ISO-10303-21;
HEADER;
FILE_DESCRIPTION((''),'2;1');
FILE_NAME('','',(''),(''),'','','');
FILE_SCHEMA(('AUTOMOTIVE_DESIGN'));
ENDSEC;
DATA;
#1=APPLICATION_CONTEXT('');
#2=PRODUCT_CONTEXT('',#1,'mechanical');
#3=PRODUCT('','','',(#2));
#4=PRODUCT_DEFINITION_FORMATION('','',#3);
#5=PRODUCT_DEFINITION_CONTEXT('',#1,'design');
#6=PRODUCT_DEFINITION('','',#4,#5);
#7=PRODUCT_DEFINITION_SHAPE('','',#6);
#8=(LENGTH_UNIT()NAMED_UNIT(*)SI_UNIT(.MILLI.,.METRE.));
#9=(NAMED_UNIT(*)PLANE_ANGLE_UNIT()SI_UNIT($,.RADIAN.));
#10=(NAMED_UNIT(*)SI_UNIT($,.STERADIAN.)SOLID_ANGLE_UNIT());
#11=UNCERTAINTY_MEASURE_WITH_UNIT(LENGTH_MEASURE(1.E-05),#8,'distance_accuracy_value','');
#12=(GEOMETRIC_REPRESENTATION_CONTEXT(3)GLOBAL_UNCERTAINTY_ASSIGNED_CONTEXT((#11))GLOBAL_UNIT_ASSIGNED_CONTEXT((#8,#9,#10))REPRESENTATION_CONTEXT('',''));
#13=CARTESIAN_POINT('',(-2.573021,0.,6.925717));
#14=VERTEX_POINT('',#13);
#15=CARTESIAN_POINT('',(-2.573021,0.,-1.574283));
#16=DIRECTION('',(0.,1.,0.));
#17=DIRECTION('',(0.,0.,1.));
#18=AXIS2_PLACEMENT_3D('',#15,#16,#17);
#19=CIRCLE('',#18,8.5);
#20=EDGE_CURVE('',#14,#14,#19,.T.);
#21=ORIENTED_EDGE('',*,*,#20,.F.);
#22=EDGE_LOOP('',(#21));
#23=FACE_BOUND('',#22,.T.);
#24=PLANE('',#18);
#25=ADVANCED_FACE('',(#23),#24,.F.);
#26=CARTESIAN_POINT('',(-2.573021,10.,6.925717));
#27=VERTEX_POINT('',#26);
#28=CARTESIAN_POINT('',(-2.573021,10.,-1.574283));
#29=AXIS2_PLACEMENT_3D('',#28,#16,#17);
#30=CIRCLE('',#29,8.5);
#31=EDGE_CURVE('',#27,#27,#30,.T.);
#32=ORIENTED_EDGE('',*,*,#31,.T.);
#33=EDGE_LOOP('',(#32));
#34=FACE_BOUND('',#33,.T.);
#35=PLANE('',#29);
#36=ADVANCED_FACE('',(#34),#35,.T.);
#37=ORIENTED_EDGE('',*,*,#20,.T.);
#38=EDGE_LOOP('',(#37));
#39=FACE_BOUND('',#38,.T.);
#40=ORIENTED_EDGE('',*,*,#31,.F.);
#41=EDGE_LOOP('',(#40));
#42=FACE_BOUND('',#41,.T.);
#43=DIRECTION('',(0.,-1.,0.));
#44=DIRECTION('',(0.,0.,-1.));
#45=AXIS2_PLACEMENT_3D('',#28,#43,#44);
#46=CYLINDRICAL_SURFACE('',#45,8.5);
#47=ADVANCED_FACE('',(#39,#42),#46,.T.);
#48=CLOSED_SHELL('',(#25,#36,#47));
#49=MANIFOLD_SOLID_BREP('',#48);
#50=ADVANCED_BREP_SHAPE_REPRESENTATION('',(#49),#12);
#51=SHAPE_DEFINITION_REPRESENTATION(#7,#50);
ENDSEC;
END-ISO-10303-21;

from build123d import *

# Parameters (mm, degrees)
SKETCH1_R           = 8.5
BOSS_EXTRUDE1_DEPTH = 10


with BuildPart() as part:
    # Sketch1 → Boss-Extrude1 (new body)
    with BuildSketch(Plane(origin=(0, 0, 0), x_dir=(1, 0, 0), z_dir=(0, 1, 0))):
        with Locations((-2.573020929, 1.574282542)):
            Circle(SKETCH1_R)
    extrude(amount=BOSS_EXTRUDE1_DEPTH)


solid = part.part
